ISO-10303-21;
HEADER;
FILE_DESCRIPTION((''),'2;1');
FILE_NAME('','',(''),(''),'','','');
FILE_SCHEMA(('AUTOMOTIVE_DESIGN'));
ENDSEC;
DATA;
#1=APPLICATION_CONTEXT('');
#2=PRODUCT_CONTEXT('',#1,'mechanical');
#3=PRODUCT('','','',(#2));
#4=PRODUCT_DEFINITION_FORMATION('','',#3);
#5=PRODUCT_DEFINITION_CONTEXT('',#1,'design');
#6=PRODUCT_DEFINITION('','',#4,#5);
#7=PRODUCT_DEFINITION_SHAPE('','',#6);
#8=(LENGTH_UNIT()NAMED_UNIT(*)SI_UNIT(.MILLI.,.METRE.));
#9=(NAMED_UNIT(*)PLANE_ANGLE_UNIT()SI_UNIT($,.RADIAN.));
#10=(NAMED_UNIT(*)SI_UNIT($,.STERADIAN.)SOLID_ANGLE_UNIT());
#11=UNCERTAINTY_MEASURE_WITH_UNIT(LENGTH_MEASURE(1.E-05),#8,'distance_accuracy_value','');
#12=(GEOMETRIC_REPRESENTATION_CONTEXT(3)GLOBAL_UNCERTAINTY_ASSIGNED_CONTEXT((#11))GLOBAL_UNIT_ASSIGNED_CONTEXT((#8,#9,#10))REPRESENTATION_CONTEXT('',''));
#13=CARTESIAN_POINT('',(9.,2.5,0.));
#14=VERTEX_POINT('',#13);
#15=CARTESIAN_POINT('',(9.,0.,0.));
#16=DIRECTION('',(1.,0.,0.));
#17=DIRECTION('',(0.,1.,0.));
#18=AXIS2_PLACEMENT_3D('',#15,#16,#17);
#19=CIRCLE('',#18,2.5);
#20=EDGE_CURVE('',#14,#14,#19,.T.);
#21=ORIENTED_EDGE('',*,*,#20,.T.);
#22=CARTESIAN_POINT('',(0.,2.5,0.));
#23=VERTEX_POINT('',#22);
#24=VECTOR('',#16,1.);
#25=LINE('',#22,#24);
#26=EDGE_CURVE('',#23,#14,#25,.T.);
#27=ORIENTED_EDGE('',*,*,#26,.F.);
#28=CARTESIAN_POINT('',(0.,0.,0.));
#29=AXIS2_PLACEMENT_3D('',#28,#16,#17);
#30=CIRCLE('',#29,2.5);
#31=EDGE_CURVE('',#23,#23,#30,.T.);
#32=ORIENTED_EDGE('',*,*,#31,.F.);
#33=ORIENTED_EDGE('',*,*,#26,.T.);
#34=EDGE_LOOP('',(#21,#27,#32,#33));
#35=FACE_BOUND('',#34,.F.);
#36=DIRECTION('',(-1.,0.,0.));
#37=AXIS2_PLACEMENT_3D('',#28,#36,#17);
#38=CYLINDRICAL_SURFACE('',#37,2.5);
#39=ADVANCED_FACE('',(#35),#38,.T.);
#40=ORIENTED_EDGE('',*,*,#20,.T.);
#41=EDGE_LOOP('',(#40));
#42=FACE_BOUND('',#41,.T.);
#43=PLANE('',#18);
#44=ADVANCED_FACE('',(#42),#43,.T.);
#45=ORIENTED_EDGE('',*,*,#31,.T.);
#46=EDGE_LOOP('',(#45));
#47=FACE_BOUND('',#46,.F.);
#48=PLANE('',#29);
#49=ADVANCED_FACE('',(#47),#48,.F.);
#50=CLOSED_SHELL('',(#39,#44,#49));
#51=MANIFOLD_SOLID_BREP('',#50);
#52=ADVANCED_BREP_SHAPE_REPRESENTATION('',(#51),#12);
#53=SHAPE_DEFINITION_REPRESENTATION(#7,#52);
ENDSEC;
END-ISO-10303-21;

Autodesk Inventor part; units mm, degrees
ref_plane "YZ Plane" through (0, 0, 0) normal (1, 0, 0) x (0, 1, 0)
ref_plane "XZ Plane" through (0, 0, 0) normal (0, 1, 0) x (-1, 0, 0)
ref_plane "XY Plane" through (0, 0, 0) normal (0, 0, 1) x (1, 0, 0)
sketch "草圖1" plane through (0, 0, 0) normal (1, 0, 0) x (0, 1, 0)
  circle A0 centre (0, 0) radius 2.5
  dimension "d0" = 5
extrude "擠出1" add sketch "草圖1" along normal blind 9
properties part number "銷"
